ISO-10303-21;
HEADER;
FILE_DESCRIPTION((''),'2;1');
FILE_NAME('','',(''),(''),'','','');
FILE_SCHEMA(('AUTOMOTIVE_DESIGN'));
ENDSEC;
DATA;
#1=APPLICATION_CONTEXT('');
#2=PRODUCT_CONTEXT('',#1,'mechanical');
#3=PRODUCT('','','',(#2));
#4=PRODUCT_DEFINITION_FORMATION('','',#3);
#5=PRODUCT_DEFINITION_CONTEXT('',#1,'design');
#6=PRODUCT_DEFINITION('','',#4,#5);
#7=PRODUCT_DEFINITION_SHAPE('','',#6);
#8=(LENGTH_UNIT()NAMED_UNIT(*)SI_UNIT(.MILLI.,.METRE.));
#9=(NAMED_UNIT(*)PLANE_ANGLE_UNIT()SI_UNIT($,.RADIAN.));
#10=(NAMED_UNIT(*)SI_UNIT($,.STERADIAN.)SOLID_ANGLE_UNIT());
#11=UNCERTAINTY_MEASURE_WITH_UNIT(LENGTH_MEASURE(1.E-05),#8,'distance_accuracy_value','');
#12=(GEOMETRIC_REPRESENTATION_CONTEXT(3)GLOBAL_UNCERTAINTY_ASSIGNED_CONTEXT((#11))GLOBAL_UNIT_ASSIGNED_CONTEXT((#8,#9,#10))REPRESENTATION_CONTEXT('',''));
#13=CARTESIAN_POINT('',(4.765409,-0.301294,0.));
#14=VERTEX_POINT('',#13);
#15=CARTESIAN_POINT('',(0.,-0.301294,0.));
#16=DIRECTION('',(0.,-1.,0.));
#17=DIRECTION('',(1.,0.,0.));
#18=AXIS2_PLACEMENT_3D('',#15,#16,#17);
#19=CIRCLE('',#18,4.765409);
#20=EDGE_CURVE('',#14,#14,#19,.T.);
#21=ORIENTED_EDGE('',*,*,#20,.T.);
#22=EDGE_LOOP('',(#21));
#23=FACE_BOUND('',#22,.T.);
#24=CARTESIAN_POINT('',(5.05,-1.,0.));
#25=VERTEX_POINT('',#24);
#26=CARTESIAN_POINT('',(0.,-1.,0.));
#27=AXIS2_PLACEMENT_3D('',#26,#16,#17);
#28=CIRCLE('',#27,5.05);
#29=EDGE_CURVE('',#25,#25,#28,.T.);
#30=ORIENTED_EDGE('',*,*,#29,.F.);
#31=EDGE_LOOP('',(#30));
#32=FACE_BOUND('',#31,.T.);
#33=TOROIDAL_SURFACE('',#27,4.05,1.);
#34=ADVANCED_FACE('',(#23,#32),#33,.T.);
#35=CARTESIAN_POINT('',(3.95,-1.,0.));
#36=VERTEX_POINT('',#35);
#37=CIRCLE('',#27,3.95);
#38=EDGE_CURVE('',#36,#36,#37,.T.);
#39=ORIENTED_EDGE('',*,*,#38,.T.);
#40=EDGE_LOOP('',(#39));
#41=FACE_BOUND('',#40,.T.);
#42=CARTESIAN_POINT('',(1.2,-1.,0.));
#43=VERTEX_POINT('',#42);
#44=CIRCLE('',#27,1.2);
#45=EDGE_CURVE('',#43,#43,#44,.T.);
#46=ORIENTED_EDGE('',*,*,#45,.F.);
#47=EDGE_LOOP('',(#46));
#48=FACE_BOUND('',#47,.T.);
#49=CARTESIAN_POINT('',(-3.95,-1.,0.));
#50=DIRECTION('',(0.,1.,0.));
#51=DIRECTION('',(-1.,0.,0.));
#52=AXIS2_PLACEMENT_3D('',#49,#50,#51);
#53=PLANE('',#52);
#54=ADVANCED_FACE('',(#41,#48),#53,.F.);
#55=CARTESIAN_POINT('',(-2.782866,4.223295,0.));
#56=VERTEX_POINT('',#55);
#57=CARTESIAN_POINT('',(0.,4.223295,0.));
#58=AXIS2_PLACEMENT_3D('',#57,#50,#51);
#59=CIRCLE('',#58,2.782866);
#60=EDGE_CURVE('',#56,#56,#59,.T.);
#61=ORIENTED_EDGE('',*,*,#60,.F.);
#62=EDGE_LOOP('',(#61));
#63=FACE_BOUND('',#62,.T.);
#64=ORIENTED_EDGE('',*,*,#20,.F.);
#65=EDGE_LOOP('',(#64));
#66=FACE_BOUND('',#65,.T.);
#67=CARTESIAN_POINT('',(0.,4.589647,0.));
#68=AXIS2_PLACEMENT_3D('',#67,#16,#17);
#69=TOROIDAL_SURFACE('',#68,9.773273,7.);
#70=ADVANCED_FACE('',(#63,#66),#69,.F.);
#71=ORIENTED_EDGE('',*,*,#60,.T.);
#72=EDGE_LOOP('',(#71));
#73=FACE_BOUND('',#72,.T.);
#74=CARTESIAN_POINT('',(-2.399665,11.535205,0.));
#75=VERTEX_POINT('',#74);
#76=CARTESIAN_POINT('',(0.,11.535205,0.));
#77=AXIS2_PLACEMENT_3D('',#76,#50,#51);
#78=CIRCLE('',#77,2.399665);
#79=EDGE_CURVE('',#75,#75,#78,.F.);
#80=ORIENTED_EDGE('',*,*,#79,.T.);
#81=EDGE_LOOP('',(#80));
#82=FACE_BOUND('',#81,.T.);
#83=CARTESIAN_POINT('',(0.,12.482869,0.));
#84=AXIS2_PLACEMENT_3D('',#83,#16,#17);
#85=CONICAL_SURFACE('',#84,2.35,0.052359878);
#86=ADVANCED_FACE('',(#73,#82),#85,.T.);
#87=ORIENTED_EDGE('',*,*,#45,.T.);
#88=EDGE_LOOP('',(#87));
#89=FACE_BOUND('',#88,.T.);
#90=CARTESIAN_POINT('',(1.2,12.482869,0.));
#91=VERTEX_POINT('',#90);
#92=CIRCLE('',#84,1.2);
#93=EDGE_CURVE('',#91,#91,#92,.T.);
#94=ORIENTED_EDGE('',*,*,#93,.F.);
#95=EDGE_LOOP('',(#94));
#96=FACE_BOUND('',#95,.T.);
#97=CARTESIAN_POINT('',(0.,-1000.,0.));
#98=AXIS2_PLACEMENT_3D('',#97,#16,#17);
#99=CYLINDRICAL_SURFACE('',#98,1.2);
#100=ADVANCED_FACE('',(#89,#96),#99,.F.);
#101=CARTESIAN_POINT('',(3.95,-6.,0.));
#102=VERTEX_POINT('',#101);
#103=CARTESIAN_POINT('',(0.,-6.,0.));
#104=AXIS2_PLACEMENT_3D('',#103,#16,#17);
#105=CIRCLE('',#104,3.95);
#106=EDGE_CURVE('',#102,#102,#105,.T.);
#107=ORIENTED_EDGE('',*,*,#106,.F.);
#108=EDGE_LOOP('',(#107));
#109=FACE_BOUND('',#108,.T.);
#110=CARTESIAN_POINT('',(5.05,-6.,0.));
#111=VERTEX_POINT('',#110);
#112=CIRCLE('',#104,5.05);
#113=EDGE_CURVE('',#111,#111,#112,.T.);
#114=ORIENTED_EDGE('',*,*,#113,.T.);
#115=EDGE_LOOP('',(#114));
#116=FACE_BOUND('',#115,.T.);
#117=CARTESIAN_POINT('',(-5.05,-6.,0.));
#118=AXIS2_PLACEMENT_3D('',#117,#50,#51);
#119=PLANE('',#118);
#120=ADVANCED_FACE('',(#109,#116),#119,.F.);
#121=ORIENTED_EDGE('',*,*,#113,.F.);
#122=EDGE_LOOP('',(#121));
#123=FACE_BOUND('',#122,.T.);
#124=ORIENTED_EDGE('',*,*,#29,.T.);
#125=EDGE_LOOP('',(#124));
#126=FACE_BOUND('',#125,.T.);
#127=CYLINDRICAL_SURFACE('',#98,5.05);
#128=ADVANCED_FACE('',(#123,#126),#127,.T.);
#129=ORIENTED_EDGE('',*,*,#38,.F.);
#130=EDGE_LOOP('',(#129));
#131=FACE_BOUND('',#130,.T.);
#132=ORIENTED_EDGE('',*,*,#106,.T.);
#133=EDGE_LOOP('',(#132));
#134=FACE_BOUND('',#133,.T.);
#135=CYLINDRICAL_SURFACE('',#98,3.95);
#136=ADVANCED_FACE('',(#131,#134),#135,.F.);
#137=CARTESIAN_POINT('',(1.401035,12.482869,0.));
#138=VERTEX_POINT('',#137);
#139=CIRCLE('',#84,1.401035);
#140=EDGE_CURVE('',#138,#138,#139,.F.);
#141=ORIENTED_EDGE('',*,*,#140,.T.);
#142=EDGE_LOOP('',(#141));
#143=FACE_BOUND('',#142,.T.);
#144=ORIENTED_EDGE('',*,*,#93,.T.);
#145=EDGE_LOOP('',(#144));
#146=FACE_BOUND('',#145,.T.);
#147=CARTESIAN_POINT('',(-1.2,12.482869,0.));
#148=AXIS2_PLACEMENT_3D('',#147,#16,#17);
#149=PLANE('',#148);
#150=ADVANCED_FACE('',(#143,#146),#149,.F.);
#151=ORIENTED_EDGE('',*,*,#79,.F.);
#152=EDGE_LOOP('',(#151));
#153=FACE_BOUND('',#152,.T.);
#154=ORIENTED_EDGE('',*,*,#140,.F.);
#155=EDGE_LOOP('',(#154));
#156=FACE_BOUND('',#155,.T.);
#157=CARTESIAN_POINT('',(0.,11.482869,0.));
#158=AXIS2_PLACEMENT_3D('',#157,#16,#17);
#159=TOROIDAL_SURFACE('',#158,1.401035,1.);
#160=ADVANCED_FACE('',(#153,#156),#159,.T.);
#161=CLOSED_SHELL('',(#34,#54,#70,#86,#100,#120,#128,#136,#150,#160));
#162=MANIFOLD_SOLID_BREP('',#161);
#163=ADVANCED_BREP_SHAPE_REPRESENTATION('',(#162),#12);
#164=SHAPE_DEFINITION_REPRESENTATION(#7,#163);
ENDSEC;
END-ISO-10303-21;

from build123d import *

# Parameters (mm, degrees)
FILLET1_R = 1
FILLET2_R = 7


with BuildPart() as part:
    # Sketch1 → Revolve1 (revolve)
    with BuildSketch(Plane.XY):
        Polygon((-2.35, 12.482869184), (-3.004199453, 0), (-5.05, 0), (-5.05, -6), (-3.95, -6), (-3.95, -1), (-1.2, -1), (-1.2, 12.482869184), align=None)
    revolve(axis=Axis((0, -1000, 0), (0, 1, 0)))

    # Fillet1
    fillet1_edges = [part.edges().sort_by_distance(p)[0] for p in [
        (2.35, 12.482869184, 0),
        (5.05, 0, 0),
    ]]
    fillet(fillet1_edges, radius=FILLET1_R)

    # Fillet2
    fillet2_edges = [part.edges().sort_by_distance(p)[0] for p in [
        (3.004199453, 0, 0),
    ]]
    fillet(fillet2_edges, radius=FILLET2_R)


solid = part.part
